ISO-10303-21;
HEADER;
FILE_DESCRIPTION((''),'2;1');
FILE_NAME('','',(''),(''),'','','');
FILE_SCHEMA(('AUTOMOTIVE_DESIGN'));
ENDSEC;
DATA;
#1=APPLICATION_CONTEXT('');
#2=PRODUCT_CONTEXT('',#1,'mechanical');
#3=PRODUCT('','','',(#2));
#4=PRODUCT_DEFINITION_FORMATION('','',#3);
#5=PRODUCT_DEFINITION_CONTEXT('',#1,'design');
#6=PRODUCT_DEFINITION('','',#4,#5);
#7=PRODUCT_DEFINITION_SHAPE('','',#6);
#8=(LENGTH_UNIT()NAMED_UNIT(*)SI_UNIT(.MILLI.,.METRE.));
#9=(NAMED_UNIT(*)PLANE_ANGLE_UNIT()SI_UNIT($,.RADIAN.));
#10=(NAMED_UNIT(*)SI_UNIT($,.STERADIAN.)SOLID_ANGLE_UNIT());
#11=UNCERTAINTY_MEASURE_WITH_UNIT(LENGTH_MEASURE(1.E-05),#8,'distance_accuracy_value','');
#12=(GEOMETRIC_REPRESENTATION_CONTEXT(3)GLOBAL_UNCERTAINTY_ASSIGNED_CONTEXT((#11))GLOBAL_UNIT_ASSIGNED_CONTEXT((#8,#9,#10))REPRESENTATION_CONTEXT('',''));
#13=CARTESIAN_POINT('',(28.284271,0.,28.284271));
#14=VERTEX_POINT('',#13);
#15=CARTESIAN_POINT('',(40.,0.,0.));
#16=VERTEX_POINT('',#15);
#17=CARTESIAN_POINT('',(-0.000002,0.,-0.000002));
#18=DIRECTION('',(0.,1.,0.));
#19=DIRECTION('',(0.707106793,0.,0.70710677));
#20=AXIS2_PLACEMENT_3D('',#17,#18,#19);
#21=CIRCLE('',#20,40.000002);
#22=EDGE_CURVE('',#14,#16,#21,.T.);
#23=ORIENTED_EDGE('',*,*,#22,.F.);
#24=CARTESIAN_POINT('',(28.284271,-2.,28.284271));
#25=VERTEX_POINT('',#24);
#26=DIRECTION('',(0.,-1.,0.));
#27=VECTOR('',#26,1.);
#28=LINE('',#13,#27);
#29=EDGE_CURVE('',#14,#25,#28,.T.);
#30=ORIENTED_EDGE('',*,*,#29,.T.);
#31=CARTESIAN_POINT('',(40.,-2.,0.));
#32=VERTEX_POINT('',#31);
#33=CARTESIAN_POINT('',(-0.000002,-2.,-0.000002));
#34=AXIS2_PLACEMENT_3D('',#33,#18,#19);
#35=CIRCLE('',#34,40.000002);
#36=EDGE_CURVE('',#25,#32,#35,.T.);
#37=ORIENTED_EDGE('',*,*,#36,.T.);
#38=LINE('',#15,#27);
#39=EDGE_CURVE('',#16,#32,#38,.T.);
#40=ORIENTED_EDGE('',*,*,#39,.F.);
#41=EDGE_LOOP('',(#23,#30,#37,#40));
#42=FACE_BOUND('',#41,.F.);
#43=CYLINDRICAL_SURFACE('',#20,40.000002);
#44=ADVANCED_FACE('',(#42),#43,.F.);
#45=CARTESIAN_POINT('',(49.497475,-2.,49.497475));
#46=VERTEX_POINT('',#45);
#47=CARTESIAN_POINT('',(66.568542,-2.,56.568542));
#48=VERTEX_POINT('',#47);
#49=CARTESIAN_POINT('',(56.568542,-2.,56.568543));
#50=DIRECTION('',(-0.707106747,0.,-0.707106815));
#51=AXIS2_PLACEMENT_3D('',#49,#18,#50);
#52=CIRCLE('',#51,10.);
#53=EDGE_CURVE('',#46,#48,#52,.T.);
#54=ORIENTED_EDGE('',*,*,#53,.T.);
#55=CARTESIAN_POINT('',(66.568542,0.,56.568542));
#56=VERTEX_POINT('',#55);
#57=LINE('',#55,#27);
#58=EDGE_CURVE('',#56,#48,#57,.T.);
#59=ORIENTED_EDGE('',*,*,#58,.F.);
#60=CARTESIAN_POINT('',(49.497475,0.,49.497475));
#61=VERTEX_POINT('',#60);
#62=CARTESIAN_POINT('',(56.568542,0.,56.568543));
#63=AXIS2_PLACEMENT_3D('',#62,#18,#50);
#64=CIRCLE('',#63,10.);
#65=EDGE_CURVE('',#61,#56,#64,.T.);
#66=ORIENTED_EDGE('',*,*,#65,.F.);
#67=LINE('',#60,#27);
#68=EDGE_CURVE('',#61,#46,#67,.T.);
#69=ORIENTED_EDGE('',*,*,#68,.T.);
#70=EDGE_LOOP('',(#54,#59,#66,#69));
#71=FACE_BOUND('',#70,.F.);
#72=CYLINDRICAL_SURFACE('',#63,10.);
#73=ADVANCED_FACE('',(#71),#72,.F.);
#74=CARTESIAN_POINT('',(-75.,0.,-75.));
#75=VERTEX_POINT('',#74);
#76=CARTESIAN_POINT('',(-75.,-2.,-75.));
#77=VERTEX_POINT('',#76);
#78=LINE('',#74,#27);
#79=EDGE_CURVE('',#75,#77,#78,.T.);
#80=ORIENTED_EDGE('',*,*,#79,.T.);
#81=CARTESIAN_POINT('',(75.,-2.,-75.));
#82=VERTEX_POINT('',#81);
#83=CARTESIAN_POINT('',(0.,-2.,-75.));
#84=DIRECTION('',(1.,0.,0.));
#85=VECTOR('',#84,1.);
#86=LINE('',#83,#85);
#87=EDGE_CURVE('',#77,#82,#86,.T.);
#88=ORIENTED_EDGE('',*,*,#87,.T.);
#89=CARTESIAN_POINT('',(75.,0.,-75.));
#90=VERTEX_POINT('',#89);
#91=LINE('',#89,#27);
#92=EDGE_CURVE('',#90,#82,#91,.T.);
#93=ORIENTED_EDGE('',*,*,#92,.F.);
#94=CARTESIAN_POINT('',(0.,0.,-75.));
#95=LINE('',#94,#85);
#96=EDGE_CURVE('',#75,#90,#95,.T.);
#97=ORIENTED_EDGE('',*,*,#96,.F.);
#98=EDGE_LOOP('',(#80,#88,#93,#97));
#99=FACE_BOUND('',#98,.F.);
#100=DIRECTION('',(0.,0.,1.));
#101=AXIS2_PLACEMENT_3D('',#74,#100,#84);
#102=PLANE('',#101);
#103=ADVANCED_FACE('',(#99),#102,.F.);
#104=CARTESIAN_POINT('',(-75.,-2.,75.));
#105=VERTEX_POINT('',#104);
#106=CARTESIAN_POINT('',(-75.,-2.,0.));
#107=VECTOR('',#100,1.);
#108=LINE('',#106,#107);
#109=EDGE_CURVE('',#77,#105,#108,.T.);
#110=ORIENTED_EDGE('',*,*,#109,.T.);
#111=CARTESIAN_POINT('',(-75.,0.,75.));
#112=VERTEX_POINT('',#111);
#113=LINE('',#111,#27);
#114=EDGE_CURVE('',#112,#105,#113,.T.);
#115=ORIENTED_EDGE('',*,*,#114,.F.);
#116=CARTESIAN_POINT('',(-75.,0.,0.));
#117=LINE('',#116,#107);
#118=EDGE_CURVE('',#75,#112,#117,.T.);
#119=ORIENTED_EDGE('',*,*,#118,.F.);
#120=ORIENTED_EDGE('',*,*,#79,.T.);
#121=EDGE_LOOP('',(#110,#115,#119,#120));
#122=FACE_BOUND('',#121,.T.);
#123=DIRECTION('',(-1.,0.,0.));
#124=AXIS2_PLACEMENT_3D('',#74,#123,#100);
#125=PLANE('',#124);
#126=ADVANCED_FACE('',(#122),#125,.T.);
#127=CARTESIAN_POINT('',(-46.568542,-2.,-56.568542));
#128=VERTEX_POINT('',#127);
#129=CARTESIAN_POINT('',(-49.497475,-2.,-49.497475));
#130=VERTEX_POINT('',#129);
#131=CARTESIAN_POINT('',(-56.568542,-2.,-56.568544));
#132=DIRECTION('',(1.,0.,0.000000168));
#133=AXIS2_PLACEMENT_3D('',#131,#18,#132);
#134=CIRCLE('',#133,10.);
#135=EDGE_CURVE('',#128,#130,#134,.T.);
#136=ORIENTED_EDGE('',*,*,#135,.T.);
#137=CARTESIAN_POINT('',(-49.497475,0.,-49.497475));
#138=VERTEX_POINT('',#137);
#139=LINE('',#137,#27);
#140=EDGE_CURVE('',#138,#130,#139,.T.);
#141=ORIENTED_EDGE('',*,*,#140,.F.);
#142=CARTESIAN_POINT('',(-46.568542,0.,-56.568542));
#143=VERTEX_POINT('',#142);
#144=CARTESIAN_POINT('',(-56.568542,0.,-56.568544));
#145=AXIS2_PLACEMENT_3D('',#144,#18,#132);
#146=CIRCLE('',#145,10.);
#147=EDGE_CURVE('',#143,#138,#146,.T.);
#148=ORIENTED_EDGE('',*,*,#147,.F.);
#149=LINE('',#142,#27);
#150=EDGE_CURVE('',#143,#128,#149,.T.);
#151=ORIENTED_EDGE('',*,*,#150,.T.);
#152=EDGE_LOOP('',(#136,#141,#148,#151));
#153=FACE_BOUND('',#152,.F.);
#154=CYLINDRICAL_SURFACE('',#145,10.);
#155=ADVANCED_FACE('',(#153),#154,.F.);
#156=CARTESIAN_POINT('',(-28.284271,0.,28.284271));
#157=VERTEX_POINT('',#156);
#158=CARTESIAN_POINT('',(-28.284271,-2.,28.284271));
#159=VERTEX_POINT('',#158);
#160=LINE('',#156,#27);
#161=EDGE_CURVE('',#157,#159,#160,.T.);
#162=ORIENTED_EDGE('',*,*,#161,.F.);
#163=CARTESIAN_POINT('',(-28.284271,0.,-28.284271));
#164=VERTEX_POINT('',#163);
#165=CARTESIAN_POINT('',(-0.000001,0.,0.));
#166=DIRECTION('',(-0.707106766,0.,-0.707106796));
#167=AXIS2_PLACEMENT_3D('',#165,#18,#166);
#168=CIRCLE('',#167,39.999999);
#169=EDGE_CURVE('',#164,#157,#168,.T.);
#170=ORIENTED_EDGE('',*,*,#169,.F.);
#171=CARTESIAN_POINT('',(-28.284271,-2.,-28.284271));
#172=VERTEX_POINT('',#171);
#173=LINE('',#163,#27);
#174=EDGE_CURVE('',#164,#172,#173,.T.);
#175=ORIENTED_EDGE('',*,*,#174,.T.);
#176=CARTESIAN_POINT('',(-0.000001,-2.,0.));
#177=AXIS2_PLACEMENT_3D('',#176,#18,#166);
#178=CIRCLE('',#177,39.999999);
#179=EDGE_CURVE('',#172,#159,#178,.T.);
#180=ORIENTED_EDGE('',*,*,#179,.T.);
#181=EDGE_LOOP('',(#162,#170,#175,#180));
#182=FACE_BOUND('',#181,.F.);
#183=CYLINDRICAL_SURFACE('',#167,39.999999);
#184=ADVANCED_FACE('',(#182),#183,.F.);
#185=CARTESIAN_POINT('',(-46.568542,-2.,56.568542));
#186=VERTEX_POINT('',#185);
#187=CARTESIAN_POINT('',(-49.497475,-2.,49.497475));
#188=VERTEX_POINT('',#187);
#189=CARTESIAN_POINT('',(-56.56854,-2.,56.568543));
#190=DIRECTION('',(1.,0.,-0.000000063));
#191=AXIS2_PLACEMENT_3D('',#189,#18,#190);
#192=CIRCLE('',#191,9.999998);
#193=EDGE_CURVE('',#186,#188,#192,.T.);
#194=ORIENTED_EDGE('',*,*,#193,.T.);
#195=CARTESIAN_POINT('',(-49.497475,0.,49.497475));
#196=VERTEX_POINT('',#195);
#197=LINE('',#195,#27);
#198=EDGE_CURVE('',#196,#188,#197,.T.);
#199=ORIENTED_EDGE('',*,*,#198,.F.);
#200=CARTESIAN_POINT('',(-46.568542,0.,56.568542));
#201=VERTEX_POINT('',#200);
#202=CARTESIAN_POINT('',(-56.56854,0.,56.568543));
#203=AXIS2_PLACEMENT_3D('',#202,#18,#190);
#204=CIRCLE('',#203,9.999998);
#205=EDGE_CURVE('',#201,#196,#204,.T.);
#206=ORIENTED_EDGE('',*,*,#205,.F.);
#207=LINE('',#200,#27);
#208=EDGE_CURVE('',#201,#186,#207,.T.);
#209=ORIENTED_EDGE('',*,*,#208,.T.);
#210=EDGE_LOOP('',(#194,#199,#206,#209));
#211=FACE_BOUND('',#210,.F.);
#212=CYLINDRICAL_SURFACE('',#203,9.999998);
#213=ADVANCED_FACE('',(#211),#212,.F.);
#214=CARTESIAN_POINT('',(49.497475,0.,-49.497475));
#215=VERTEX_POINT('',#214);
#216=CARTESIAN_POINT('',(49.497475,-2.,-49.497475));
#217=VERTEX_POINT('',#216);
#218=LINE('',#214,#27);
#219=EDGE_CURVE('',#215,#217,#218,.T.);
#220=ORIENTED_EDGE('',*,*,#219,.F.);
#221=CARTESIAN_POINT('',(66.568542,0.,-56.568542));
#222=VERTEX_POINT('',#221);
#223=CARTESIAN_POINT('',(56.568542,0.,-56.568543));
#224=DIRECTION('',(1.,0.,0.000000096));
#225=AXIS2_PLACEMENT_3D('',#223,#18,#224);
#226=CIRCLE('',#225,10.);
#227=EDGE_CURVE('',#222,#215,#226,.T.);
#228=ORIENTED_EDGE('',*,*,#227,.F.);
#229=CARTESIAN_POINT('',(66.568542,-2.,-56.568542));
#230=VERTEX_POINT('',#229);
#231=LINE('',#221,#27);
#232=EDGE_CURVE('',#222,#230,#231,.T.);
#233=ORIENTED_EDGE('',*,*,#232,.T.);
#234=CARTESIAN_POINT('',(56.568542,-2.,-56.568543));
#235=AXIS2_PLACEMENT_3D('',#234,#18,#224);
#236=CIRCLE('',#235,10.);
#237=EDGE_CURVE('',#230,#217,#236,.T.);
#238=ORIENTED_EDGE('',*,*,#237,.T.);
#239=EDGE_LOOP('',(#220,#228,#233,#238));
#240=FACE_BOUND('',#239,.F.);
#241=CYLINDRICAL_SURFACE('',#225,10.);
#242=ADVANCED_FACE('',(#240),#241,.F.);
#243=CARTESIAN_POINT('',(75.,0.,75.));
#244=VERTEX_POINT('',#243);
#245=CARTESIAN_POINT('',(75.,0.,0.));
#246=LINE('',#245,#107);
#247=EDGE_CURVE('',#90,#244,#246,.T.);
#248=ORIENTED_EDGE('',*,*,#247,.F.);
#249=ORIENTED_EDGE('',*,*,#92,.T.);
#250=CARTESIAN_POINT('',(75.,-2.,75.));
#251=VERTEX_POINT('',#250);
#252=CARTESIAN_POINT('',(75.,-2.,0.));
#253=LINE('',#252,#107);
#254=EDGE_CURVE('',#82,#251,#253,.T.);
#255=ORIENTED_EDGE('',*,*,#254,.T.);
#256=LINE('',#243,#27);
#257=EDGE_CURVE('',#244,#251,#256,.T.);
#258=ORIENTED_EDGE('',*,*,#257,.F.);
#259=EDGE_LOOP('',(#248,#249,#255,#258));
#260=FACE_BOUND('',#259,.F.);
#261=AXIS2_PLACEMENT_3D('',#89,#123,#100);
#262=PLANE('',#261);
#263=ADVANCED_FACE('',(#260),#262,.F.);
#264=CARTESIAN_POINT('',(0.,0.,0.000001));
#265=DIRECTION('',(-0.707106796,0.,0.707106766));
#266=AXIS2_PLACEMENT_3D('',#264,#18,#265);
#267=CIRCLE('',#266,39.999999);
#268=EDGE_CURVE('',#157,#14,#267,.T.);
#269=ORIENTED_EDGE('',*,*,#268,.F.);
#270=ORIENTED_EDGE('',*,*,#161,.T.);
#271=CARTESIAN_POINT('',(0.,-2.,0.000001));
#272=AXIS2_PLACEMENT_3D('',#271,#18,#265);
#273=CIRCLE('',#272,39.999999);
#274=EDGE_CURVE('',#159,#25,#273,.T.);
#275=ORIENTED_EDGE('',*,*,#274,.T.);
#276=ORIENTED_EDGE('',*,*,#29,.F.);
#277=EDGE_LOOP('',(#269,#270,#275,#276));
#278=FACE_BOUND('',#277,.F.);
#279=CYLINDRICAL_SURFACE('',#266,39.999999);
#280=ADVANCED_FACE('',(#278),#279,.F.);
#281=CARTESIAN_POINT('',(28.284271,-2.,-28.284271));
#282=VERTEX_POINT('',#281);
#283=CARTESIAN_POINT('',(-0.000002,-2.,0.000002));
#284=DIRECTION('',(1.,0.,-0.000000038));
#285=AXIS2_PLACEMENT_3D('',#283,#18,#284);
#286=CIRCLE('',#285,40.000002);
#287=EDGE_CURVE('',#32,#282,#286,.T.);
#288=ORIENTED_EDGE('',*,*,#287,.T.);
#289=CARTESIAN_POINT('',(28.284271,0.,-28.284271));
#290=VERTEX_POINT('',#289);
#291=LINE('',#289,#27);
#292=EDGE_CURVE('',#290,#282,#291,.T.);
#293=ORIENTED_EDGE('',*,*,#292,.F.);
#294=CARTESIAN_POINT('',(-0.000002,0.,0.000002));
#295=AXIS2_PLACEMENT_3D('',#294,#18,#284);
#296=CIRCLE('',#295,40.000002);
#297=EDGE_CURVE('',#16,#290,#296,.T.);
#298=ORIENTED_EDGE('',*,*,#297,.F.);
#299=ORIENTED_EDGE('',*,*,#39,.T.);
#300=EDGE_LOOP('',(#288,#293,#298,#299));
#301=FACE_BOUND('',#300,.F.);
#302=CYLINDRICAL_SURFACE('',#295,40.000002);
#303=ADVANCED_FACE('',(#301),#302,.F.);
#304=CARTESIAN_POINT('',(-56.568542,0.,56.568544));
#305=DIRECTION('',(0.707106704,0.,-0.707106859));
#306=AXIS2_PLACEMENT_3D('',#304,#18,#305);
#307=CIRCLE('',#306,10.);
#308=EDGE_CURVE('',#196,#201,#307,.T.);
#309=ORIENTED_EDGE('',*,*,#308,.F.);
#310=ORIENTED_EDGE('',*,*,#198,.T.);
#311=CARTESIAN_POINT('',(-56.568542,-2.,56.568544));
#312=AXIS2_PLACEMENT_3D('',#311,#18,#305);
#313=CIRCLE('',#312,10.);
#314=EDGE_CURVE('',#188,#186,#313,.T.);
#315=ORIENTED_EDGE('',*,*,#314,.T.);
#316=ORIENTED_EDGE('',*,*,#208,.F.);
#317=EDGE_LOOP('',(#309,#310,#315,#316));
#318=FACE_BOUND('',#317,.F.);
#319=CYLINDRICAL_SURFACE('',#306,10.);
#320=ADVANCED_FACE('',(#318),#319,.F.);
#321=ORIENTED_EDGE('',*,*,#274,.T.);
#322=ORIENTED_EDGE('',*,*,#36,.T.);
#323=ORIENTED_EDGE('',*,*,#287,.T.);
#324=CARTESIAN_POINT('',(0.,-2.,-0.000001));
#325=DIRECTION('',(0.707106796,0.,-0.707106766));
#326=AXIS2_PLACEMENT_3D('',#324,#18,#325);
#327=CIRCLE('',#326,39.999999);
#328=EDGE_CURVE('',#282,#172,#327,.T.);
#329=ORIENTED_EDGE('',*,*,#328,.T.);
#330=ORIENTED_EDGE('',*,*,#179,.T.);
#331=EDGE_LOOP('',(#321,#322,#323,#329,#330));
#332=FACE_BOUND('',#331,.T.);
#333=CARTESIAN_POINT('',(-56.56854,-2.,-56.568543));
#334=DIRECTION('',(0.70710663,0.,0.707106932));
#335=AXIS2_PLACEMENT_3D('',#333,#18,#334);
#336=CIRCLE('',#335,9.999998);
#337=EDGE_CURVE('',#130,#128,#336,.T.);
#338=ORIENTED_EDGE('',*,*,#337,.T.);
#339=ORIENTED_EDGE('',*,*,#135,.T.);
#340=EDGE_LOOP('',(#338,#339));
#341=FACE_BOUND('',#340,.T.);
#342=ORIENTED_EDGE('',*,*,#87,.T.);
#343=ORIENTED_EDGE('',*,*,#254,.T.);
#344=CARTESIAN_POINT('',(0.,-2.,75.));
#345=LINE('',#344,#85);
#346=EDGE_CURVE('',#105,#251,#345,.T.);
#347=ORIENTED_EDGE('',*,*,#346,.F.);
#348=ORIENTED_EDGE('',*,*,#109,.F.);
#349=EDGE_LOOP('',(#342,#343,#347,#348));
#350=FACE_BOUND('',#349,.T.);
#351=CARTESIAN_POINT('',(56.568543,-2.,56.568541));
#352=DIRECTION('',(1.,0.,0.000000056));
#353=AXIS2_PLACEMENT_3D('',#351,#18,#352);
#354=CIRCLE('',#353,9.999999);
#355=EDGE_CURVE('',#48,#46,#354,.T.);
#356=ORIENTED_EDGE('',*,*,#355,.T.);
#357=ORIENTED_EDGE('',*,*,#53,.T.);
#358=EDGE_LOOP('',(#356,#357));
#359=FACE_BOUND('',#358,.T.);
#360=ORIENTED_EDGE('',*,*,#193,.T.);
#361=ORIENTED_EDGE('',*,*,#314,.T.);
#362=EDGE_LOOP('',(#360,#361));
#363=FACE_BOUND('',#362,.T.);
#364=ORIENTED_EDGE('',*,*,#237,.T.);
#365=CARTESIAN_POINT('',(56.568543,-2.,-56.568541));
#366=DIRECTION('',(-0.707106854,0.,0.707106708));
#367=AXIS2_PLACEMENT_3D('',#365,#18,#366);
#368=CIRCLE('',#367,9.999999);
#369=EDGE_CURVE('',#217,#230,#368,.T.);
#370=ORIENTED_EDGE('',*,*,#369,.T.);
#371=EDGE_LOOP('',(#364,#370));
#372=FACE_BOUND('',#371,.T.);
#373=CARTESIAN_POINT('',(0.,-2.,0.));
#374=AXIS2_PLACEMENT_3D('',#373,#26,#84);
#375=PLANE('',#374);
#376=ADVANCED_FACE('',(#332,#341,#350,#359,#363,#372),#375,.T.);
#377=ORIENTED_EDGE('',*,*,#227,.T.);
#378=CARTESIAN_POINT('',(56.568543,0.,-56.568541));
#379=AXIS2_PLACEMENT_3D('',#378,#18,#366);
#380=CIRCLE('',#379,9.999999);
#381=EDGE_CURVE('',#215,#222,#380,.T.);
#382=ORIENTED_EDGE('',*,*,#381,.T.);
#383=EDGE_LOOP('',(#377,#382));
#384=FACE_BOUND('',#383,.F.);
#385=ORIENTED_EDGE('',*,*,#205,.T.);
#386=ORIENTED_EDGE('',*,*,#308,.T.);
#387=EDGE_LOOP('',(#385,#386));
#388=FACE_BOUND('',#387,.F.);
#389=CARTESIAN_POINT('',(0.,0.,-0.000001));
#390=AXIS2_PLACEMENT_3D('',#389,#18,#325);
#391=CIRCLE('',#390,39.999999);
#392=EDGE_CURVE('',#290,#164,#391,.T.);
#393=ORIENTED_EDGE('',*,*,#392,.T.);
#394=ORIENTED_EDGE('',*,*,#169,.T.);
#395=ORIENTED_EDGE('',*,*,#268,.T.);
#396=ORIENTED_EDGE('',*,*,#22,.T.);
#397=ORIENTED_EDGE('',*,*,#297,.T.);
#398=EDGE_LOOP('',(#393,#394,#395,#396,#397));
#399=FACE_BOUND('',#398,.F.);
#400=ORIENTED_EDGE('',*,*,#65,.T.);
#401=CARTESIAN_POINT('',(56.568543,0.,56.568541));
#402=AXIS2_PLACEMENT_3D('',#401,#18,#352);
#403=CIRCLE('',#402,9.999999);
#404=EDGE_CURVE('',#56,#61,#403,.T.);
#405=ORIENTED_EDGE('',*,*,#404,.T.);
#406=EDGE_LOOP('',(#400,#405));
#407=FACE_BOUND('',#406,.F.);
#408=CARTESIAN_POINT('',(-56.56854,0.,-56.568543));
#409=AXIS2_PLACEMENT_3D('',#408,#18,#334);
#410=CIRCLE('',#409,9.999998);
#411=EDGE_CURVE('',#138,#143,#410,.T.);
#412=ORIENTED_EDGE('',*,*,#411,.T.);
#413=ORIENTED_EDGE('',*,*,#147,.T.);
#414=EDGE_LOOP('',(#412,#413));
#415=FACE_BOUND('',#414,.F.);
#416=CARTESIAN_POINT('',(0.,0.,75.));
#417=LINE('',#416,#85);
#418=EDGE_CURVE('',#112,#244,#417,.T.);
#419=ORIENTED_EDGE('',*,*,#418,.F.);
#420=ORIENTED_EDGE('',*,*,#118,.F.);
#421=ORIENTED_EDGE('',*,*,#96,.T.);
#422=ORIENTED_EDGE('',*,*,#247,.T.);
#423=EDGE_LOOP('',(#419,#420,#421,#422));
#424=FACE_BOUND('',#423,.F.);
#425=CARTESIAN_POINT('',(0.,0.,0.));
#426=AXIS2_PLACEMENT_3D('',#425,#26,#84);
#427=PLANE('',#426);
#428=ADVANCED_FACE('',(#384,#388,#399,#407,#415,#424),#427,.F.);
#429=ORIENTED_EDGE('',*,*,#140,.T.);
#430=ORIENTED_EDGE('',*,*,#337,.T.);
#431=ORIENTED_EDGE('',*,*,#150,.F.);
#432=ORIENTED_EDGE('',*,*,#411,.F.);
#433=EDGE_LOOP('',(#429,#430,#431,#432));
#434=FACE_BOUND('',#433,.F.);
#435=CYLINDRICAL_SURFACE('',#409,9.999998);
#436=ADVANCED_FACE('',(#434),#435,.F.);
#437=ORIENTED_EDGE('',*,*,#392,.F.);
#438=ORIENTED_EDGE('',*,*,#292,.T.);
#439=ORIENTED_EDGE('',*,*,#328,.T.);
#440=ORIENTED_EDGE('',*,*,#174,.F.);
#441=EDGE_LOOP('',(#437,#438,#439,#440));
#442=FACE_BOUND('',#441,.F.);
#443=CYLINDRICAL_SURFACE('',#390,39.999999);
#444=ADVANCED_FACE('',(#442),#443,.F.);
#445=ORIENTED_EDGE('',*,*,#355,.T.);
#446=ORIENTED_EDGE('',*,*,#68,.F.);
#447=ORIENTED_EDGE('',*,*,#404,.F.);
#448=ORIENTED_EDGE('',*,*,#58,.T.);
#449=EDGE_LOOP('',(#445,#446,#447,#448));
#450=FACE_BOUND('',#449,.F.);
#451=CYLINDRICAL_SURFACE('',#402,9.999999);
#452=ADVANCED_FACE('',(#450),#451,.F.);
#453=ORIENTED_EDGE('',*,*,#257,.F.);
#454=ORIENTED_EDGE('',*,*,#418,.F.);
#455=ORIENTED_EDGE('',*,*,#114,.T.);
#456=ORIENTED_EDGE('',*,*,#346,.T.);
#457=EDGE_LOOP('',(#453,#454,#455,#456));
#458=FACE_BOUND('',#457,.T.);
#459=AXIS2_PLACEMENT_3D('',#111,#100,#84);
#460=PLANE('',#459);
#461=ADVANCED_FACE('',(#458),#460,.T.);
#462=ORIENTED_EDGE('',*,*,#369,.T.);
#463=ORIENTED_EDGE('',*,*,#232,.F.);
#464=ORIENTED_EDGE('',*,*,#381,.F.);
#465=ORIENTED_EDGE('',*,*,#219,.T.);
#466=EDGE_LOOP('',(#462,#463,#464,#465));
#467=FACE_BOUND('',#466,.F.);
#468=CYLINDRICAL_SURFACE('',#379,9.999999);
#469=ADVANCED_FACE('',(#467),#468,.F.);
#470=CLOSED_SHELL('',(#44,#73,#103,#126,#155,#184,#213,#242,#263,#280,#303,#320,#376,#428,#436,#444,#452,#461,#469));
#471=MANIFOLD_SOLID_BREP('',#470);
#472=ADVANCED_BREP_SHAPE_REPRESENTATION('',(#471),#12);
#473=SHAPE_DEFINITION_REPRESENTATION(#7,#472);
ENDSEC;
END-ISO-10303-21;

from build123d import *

# Parameters (mm, degrees)
F0_W     = 150
F0_H     = 150
F1_DEPTH = 2


with BuildPart() as f1:
    # F0 (on Front) → F1 (new body)
    with BuildSketch(Plane.XZ):
        Rectangle(F0_W, F0_H)
        with BuildLine():
            ThreePointArc((-46.568542, -56.568542), (-65.807338, -60.395377), (-49.497475, -49.497475))
            ThreePointArc((-49.497475, -49.497475), (-47.329747, -52.741708), (-46.568542, -56.568542))
        make_face(mode=Mode.SUBTRACT)
        with BuildLine():
            ThreePointArc((66.568542, -56.568542), (52.741708, -65.807338), (49.497475, -49.497475))
            ThreePointArc((49.497475, -49.497475), (60.395377, -47.329747), (66.568542, -56.568542))
        make_face(mode=Mode.SUBTRACT)
        with BuildLine():
            ThreePointArc((-46.568542, 56.568542), (-47.329747, 52.741708), (-49.497475, 49.497475))
            ThreePointArc((-49.497475, 49.497475), (-65.807338, 60.395377), (-46.568542, 56.568542))
        make_face(mode=Mode.SUBTRACT)
        with BuildLine():
            ThreePointArc((-28.284271, 28.284271), (0, 40), (28.284271, 28.284271))
            ThreePointArc((28.284271, 28.284271), (36.955181, 15.307337), (40, 0))
            ThreePointArc((40, 0), (36.955181, -15.307337), (28.284271, -28.284271))
            ThreePointArc((28.284271, -28.284271), (0, -40), (-28.284271, -28.284271))
            ThreePointArc((-28.284271, -28.284271), (-40, 0), (-28.284271, 28.284271))
        make_face(mode=Mode.SUBTRACT)
        with BuildLine():
            ThreePointArc((66.568542, 56.568542), (60.395377, 47.329747), (49.497475, 49.497475))
            ThreePointArc((49.497475, 49.497475), (52.741708, 65.807338), (66.568542, 56.568542))
        make_face(mode=Mode.SUBTRACT)
    extrude(amount=F1_DEPTH)


solid = f1.part
